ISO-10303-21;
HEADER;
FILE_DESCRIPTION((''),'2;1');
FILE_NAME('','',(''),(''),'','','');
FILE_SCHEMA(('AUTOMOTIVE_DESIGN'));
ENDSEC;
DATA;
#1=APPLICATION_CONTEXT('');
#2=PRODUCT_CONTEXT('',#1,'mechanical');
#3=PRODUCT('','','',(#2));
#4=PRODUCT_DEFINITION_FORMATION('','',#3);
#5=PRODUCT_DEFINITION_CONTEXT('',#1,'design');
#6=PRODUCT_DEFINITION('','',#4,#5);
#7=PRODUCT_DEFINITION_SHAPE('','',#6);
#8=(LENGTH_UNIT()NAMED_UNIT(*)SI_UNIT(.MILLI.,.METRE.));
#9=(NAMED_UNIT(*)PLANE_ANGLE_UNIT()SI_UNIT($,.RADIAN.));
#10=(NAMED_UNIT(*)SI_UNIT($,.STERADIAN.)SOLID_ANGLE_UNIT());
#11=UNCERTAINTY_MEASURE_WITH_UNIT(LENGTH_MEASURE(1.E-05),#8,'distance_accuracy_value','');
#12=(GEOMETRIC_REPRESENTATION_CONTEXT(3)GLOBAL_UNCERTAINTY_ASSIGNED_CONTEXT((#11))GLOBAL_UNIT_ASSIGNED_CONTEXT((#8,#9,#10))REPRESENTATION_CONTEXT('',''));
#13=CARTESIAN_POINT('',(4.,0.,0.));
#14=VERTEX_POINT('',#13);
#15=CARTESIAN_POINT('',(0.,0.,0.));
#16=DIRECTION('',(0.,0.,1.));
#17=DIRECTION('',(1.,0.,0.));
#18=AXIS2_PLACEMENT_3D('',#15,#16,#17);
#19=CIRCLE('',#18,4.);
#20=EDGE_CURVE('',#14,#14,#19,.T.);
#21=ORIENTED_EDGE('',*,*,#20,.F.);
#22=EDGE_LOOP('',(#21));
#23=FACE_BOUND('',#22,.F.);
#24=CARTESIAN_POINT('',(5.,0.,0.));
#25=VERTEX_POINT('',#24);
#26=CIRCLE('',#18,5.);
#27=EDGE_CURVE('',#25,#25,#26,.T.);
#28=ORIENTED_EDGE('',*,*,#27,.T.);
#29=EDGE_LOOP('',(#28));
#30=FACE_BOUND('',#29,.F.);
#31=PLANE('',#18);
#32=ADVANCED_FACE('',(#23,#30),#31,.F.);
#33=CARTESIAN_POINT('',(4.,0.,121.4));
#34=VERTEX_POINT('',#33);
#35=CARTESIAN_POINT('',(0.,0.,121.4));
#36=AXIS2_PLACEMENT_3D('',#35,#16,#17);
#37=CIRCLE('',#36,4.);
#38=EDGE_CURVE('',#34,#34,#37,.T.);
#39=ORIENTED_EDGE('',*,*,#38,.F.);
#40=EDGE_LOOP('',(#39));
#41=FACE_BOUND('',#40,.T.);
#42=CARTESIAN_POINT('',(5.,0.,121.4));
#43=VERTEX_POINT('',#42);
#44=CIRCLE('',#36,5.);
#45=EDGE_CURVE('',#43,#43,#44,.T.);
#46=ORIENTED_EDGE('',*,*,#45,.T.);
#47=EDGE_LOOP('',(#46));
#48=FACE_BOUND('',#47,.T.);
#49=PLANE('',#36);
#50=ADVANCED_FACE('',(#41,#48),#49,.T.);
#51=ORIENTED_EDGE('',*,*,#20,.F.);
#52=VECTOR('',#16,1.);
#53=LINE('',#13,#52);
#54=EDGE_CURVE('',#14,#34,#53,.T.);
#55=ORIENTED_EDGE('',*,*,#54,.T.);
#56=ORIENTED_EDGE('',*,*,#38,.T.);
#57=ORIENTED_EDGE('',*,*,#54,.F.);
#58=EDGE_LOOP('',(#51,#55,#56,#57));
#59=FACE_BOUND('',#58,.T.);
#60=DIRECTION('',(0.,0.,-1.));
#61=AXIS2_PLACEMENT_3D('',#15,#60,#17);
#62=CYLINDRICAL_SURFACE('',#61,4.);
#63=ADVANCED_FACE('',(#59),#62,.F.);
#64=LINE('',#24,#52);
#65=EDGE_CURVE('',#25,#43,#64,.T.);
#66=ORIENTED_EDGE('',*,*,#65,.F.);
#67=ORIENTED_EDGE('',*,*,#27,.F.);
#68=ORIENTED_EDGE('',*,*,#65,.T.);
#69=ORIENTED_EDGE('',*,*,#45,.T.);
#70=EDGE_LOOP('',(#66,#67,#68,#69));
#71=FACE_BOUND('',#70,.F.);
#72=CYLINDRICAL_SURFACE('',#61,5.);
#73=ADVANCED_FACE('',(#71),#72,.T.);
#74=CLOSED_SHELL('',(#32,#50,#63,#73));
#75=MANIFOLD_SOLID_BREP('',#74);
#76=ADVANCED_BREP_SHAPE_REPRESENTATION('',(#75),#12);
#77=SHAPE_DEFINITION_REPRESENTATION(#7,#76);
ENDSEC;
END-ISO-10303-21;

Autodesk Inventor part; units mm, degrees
ref_plane "YZ Plane" through (0, 0, 0) normal (1, 0, 0) x (0, 1, 0)
ref_plane "XZ Plane" through (0, 0, 0) normal (0, 1, 0) x (-1, 0, 0)
ref_plane "XY Plane" through (0, 0, 0) normal (0, 0, 1) x (1, 0, 0)
sketch "Sketch1" plane through (0, 0, 0) normal (0, 0, 1) x (1, 0, 0)
  circle A0 centre (0, 0) radius 5
  circle A1 centre (0, 0) radius 4
  dimension "d0" = 10
  dimension "d1" = 8
extrude "Extrusion1" add sketch "Sketch1" along normal blind 121.4
properties part number "Middlerod_test"
